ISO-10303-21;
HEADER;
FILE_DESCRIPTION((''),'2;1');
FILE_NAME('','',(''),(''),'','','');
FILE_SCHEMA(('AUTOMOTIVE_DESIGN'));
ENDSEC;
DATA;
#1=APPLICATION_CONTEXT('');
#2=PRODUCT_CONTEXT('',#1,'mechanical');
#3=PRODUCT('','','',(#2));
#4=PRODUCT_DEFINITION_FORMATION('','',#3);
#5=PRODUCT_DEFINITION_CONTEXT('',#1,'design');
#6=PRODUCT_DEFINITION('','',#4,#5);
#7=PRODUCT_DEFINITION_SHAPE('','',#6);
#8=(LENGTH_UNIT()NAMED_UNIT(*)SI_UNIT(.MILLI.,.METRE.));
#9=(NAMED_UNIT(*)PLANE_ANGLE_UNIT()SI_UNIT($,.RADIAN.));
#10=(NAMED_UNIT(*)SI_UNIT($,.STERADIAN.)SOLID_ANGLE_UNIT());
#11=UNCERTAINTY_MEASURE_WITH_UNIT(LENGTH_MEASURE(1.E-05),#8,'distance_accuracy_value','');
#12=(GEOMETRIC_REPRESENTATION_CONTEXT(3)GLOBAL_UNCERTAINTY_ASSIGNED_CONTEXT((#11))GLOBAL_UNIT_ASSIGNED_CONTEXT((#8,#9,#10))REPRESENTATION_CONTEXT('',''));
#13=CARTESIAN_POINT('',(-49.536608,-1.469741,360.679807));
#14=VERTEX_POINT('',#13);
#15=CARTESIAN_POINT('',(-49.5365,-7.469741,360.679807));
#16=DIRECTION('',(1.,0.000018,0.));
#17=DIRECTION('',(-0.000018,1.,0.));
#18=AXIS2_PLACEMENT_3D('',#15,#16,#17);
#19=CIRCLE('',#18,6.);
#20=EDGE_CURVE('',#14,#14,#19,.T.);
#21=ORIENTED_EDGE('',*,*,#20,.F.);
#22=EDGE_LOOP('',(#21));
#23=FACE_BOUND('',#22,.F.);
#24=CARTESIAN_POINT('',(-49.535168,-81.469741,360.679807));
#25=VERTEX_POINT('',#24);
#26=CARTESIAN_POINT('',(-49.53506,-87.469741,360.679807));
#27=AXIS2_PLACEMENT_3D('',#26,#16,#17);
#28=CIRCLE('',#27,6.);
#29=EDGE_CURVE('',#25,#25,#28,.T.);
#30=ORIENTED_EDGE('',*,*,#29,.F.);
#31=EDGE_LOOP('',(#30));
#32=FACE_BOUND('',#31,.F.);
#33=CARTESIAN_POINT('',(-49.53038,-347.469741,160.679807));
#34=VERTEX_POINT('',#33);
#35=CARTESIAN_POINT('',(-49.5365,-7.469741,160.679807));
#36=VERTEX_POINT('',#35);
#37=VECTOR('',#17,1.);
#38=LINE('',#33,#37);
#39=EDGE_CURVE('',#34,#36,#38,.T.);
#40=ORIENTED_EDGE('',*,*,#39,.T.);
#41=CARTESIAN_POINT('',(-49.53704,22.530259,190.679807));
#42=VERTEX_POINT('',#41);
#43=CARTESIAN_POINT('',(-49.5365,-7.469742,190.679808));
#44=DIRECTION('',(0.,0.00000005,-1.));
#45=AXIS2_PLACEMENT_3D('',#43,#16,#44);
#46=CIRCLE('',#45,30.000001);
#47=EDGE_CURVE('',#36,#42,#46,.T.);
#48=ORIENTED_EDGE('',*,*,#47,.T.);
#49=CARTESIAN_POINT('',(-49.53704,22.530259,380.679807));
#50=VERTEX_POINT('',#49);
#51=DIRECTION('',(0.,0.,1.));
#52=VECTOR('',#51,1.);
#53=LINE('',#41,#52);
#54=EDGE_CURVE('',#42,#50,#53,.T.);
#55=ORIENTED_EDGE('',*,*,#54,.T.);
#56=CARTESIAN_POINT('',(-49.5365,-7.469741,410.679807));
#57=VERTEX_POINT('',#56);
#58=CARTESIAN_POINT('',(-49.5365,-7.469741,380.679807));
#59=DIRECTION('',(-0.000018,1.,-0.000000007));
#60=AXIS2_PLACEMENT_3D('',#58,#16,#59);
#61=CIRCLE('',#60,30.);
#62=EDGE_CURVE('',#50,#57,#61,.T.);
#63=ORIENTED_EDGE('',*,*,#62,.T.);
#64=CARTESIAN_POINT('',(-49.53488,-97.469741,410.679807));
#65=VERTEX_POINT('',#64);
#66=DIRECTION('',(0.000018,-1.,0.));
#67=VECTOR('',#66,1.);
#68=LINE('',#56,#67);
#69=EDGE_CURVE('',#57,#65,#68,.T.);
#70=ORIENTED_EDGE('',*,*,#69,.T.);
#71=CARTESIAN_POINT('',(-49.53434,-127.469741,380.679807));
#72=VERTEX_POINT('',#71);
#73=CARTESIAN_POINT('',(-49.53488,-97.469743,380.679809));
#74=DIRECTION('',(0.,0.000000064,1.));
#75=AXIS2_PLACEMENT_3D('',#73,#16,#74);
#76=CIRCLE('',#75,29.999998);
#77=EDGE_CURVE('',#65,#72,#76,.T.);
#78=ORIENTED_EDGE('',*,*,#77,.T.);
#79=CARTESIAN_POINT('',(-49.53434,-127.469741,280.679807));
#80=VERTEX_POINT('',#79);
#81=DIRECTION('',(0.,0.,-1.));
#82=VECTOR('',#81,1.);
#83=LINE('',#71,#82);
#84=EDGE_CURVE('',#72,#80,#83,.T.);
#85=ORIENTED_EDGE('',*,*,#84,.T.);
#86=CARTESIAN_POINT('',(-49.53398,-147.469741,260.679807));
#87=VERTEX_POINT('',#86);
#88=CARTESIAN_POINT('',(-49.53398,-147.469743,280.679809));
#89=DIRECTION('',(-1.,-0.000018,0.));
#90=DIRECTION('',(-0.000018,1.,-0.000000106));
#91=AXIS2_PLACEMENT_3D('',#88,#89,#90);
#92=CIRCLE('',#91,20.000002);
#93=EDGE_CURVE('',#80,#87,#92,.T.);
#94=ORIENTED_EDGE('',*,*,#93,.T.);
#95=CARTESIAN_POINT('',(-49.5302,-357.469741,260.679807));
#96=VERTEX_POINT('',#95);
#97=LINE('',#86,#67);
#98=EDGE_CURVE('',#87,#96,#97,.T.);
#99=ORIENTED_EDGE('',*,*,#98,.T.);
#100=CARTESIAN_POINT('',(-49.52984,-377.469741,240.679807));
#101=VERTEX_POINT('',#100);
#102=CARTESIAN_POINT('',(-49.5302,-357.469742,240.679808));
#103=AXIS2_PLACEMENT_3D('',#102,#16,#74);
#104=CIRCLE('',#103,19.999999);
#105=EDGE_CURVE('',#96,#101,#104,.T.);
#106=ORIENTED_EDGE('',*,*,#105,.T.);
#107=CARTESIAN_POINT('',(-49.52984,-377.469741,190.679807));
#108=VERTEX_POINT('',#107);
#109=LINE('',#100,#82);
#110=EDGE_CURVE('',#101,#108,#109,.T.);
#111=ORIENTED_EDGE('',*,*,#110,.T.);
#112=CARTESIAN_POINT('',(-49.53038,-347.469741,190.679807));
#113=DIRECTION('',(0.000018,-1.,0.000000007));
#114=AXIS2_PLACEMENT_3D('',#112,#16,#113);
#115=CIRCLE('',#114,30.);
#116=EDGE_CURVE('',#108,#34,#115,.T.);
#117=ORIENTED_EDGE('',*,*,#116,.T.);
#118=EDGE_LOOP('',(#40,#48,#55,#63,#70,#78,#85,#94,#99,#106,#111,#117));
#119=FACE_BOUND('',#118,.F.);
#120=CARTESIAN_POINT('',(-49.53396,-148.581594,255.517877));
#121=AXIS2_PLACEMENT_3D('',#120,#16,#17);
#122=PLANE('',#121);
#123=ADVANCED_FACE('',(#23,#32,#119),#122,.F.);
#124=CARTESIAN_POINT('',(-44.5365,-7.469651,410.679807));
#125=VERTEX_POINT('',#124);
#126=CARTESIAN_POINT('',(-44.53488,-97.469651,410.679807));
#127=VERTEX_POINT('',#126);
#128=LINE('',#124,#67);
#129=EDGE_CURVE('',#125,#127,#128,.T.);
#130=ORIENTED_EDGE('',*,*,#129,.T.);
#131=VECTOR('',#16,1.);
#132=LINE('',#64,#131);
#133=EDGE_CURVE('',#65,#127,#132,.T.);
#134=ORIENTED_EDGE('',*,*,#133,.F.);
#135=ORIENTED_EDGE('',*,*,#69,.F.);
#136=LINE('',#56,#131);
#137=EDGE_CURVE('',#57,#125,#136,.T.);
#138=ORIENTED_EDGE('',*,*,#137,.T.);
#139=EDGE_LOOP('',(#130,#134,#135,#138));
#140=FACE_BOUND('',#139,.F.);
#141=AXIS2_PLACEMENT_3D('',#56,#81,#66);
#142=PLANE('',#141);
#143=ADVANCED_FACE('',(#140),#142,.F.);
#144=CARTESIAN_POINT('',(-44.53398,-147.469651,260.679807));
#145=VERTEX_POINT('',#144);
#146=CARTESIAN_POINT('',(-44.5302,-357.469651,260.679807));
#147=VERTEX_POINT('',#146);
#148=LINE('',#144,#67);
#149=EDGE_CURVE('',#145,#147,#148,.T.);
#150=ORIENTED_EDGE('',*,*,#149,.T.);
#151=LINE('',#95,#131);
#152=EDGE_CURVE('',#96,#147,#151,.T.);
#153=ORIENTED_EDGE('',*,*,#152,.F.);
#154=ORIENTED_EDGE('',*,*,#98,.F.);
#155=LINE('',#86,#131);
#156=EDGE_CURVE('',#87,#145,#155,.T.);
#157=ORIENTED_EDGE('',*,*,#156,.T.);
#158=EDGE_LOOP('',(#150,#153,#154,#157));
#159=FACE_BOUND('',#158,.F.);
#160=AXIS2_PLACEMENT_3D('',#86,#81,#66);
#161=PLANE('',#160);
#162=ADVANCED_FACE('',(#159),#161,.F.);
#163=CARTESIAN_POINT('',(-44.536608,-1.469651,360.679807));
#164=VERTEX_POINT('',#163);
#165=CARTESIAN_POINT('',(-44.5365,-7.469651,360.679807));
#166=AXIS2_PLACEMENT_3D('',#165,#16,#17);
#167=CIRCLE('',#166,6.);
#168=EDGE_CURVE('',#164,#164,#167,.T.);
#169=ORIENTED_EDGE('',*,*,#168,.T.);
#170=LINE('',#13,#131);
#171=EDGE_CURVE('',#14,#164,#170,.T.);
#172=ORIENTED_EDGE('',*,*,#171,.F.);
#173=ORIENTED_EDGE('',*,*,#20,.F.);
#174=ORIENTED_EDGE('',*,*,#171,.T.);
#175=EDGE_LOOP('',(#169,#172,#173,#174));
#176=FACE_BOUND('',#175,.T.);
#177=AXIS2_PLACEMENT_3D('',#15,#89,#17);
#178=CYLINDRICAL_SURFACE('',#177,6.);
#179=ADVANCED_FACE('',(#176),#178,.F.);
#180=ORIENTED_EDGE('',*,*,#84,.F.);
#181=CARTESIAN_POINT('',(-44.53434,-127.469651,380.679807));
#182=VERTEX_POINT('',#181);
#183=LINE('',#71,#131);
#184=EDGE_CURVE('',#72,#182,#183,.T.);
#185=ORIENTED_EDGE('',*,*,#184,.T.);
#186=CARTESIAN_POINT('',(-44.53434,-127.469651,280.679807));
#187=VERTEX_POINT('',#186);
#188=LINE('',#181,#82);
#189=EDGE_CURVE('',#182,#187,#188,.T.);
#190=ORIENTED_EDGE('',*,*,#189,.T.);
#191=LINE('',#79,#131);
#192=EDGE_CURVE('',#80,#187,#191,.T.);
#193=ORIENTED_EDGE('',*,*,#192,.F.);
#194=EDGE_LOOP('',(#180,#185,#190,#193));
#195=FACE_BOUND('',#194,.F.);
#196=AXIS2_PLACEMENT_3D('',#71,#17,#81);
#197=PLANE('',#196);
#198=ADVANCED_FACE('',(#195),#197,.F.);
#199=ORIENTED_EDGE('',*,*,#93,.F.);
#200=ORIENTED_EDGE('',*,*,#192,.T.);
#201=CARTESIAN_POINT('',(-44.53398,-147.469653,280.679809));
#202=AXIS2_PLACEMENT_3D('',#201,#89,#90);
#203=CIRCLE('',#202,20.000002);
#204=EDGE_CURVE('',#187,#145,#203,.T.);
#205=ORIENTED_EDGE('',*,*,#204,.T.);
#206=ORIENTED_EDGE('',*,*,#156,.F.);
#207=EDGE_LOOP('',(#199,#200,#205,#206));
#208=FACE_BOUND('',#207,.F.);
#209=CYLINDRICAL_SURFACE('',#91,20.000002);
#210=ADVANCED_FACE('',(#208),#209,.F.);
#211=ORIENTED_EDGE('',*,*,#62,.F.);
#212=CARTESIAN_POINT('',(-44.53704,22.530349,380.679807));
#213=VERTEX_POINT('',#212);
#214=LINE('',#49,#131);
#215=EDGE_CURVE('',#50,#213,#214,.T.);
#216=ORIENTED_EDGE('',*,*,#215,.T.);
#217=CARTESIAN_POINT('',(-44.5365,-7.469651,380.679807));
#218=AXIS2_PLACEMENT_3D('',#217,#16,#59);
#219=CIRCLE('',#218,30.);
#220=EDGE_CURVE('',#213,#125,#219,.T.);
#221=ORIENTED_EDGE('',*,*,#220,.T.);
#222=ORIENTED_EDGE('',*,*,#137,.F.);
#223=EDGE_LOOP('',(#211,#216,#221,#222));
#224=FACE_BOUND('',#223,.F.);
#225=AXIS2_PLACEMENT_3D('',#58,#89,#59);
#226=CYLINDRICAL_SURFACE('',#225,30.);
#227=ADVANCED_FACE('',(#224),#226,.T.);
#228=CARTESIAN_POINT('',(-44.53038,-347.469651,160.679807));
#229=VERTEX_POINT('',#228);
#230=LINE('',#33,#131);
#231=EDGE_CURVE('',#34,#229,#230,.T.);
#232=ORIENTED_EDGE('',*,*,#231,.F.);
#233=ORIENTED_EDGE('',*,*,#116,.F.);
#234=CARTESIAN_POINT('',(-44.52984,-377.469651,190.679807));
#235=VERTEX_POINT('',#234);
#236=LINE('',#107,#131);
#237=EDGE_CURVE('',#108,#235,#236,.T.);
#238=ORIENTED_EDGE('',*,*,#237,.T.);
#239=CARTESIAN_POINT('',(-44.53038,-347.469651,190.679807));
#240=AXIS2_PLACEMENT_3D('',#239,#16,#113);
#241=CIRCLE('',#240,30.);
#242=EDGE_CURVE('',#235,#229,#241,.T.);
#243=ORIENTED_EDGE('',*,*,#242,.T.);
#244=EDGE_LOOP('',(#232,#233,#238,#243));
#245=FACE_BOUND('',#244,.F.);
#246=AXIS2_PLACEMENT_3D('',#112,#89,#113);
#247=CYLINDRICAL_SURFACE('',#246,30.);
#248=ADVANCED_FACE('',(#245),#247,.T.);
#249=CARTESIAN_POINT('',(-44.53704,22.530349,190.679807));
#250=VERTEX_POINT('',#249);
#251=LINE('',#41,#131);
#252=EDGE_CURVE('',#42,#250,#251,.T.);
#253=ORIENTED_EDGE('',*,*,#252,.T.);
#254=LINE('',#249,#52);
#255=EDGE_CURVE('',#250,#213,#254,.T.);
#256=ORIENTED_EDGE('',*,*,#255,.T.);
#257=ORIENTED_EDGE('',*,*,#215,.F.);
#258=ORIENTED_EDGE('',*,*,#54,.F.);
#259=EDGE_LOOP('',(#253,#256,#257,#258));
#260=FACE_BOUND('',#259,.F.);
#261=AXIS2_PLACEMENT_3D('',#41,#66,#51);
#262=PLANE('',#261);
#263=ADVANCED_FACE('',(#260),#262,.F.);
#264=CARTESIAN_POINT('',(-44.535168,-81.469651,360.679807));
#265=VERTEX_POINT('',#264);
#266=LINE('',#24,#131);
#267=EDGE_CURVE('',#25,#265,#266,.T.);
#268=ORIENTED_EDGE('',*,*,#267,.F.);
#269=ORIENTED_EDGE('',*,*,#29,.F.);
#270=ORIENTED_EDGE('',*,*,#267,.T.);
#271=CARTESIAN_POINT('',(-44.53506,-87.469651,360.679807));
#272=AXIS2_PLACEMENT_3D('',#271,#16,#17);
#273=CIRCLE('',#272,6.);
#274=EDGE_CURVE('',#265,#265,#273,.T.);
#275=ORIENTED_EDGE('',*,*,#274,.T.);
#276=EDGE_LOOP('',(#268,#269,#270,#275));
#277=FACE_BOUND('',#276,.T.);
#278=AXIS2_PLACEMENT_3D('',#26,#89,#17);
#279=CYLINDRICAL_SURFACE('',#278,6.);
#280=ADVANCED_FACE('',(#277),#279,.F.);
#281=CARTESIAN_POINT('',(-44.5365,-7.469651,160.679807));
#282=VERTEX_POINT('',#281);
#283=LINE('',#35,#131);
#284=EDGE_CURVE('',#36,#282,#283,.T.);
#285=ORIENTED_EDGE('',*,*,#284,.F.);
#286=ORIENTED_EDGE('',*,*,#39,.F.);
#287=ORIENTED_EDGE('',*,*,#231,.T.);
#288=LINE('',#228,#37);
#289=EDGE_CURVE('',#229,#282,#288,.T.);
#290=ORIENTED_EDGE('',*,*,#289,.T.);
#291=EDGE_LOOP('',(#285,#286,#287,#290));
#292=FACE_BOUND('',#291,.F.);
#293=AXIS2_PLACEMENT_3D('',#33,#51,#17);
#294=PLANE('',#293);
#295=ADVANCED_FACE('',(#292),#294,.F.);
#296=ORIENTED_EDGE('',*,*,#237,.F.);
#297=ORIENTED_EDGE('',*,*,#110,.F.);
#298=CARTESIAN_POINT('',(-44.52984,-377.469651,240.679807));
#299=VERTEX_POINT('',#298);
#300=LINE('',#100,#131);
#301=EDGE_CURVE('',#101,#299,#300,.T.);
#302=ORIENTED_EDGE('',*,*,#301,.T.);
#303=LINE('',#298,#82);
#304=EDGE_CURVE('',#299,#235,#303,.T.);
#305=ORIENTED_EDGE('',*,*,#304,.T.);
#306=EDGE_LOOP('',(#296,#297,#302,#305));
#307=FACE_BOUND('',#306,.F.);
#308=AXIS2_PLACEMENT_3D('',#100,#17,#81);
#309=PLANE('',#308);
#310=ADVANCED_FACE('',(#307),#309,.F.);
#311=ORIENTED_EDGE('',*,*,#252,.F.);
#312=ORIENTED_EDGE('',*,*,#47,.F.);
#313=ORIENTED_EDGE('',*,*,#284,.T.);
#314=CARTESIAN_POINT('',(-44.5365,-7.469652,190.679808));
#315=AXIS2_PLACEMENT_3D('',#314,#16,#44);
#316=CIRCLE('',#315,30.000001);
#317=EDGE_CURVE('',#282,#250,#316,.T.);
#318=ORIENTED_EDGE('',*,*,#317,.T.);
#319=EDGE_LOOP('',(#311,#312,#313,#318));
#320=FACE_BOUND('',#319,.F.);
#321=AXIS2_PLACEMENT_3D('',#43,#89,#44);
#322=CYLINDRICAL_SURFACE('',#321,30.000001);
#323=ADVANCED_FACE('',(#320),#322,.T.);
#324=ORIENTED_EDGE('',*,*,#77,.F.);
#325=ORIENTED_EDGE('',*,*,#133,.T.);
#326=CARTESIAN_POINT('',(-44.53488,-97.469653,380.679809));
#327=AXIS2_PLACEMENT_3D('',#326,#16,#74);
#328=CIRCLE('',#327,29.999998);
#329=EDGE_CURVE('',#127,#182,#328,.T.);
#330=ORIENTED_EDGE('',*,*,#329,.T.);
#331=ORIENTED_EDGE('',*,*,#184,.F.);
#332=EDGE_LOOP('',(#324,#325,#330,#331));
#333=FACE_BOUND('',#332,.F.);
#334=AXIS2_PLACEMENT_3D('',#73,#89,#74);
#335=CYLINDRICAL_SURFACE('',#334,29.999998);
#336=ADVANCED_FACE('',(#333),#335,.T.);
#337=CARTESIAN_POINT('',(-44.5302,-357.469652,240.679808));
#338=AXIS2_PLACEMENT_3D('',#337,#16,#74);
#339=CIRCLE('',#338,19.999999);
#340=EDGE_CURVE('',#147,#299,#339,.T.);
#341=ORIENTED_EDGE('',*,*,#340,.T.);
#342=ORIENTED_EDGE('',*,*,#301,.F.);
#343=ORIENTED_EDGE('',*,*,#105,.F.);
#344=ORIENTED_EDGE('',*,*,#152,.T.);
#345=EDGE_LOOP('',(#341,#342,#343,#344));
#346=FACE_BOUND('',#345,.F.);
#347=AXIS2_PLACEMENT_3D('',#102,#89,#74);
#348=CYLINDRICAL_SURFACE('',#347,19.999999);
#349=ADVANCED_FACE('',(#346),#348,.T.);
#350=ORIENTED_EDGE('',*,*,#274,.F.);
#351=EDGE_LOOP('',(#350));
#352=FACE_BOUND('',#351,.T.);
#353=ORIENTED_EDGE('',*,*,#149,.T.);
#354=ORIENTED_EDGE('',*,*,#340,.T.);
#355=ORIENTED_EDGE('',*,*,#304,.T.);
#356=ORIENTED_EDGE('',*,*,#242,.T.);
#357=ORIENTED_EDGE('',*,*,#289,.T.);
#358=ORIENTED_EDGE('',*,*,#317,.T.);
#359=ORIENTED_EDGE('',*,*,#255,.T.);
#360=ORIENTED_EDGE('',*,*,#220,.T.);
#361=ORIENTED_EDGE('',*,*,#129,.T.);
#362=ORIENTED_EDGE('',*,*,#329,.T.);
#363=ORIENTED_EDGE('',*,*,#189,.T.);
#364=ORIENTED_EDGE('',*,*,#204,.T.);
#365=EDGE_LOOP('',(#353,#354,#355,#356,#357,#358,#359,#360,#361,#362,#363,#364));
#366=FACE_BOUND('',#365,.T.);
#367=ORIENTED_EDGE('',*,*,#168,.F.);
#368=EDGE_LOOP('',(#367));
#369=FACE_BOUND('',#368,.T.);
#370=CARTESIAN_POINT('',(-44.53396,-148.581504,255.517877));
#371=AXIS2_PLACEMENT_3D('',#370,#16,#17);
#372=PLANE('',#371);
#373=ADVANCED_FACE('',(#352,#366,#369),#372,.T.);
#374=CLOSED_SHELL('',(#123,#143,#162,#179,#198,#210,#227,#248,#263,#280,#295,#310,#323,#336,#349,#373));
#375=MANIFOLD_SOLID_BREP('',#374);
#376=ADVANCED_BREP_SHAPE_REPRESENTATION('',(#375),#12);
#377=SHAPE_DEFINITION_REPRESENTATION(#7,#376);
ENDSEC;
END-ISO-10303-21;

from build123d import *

# Parameters (mm, degrees)
F1_DEPTH = 120
F2_R     = 6
F3_DEPTH = 5
F4_R     = 6
F5_DEPTH = 5


with BuildPart() as f1:
    # F0 (on Top) → F1 (new body)
    with BuildSketch(Plane.XY):
        with BuildLine():
            Line((120.464271, 36.765282), (-39.183099, 36.765282))
            ThreePointArc((-39.183099, 36.765282), (-50.372007, 32.173501), (-54.535729, 20.818346))
            Line((-54.535729, 20.818346), (-54.535729, -83.234718))
            Line((-54.535729, -83.234718), (-49.535177, -83.234718))
            Line((-49.535177, -83.234718), (-49.536819, 10.563834))
            Line((-49.536819, 10.563834), (-49.537028, 22.530258))
            ThreePointArc((-49.537028, 22.530258), (-46.279821, 29.181243), (-39.340395, 31.767623))
            Line((-39.340395, 31.767623), (-28.383342, 31.767623))
            Line((-28.383342, 31.767623), (120.464271, 31.767623))
            Line((120.464271, 31.767623), (120.464271, 36.765282))
        make_face()
    extrude(amount=F1_DEPTH)

    # F2 (on face) → F3 (cut)
    with BuildSketch(Plane(origin=(0, 36.765282, 0), x_dir=(-1, 0, 0), z_dir=(0, 1, 0))):
        with Locations((-70.464271, 60)):
            Circle(F2_R)
        with Locations((-20.464271, 60)):
            Circle(F2_R)
    extrude(amount=-F3_DEPTH, mode=Mode.SUBTRACT)


with BuildPart() as f5:
    # F4 (on face) → F5 (new body)
    with BuildSketch(Plane(origin=(-49.536634, -0.000867, 0), x_dir=(-1.8e-05, 1, 0), z_dir=(1, 1.8e-05, 0))):
        with BuildLine():
            Line((-347.468874, 160.679807), (-7.468874, 160.679807))
            ThreePointArc((-7.468874, 160.679807), (13.744329, 169.466604), (22.531126, 190.679807))
            Line((22.531126, 190.679807), (22.531126, 380.679807))
            ThreePointArc((22.531126, 380.679807), (13.744329, 401.893011), (-7.468874, 410.679807))
            Line((-7.468874, 410.679807), (-97.468874, 410.679807))
            ThreePointArc((-97.468874, 410.679807), (-118.682078, 401.893011), (-127.468874, 380.679807))
            Line((-127.468874, 380.679807), (-127.468874, 280.679807))
            ThreePointArc((-127.468874, 280.679807), (-133.326739, 266.537672), (-147.468874, 260.679807))
            Line((-147.468874, 260.679807), (-357.468874, 260.679807))
            ThreePointArc((-357.468874, 260.679807), (-371.61101, 254.821943), (-377.468874, 240.679807))
            Line((-377.468874, 240.679807), (-377.468874, 190.679807))
            ThreePointArc((-377.468874, 190.679807), (-368.682078, 169.466604), (-347.468874, 160.679807))
        make_face()
        with Locations((-87.468874, 360.679807)):
            Circle(F4_R, mode=Mode.SUBTRACT)
        with Locations((-7.468874, 360.679807)):
            Circle(F4_R, mode=Mode.SUBTRACT)
    extrude(amount=F5_DEPTH)


solid = f5.part
